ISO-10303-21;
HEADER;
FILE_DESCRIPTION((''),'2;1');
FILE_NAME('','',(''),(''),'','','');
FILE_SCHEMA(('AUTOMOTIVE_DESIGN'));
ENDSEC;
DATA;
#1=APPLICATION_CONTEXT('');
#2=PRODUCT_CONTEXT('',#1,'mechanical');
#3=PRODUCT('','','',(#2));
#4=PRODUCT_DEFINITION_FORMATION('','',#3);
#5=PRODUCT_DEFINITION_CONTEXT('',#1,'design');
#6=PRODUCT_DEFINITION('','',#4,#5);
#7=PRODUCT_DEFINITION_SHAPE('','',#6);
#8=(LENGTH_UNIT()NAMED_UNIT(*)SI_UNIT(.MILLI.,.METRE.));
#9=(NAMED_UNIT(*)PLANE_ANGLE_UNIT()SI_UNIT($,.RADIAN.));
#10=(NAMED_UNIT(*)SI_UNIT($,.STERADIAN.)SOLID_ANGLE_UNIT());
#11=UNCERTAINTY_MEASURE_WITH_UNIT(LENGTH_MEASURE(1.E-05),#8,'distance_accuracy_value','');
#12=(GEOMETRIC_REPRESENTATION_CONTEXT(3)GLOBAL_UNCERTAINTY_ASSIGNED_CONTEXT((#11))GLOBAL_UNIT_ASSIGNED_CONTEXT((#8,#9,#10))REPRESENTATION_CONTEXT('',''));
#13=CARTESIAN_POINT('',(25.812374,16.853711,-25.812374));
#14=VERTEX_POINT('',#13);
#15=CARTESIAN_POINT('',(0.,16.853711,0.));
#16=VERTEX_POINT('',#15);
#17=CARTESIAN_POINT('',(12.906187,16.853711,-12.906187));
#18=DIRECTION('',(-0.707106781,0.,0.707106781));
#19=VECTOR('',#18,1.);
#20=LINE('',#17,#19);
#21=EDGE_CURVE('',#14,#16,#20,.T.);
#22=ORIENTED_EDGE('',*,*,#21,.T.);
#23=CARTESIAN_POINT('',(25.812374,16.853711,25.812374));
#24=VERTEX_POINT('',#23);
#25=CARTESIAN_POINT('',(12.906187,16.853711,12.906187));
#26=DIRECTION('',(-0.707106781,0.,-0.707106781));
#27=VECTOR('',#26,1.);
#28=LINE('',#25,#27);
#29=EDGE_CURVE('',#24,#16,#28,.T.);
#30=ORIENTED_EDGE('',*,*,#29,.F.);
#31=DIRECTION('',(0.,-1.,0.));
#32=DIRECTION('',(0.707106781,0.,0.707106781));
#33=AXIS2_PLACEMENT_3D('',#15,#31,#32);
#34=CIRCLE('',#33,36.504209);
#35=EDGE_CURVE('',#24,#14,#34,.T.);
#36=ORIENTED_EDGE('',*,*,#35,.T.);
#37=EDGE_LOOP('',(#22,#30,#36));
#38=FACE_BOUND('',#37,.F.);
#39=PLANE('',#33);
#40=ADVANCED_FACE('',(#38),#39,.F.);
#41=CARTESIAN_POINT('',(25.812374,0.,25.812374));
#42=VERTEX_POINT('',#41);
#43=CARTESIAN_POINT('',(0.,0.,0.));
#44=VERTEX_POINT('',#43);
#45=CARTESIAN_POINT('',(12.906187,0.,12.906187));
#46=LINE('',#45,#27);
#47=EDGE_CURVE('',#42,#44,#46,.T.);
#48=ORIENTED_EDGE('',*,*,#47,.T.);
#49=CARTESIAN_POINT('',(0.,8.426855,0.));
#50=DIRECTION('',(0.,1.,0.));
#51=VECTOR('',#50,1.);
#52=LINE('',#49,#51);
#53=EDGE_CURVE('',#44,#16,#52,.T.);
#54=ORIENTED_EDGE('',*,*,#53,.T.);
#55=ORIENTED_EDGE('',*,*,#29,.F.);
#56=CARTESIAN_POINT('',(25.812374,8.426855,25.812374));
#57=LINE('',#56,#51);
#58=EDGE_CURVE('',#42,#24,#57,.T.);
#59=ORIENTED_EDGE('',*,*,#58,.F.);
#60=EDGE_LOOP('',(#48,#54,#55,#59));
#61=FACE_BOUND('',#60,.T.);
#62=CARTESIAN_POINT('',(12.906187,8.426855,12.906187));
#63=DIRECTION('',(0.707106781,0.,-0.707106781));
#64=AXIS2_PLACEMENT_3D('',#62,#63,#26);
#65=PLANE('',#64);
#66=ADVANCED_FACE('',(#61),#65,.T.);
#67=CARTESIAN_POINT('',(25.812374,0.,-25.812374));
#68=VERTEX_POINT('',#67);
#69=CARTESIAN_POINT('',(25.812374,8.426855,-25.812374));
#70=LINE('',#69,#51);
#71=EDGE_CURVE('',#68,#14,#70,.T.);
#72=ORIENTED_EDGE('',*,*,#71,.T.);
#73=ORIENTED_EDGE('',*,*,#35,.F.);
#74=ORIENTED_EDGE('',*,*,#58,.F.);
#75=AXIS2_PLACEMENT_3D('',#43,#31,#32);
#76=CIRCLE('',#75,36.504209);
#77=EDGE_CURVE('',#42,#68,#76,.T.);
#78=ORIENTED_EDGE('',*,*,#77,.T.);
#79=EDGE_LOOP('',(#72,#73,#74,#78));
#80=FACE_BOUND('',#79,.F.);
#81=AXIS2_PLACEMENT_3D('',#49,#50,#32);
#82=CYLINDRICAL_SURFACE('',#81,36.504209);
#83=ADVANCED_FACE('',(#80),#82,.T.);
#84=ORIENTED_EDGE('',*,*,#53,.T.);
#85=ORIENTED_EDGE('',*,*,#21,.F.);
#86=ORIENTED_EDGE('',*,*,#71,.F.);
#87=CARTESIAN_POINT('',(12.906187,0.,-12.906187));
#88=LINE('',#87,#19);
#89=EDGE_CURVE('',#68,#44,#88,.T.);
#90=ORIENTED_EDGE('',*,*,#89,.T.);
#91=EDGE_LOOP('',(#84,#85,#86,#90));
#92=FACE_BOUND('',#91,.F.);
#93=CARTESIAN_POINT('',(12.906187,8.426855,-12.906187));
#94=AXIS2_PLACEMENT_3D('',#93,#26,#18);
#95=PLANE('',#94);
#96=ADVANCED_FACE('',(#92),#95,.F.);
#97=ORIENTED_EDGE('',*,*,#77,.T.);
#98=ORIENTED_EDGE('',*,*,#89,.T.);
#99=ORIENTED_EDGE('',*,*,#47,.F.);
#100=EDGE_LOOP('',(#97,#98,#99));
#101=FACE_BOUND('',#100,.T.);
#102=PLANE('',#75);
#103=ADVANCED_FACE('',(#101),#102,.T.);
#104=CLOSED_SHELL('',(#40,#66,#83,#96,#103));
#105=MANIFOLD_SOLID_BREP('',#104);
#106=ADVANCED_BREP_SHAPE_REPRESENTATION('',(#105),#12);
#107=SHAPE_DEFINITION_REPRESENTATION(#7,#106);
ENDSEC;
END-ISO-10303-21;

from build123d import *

# Parameters (mm, degrees)
F0_W          = 36.5042090416
F0_H          = 16.8537106365
F1_ANGLE_BACK = 135
F1_ANGLE      = 270


with BuildPart() as f1:
    # F0 (on Top) → F1 (revolve)
    with BuildSketch(Plane.XY, mode=Mode.PRIVATE) as f1_sk:
        with Locations((-18.2521045208, 8.4268553182)):
            Rectangle(F0_W, F0_H)
    revolve(f1_sk.sketch.rotate(Axis((0, 8.4268553182, 0), (0, -1, 0)), -F1_ANGLE_BACK), axis=Axis((0, 8.4268553182, 0), (0, -1, 0)), revolution_arc=F1_ANGLE)


solid = f1.part
